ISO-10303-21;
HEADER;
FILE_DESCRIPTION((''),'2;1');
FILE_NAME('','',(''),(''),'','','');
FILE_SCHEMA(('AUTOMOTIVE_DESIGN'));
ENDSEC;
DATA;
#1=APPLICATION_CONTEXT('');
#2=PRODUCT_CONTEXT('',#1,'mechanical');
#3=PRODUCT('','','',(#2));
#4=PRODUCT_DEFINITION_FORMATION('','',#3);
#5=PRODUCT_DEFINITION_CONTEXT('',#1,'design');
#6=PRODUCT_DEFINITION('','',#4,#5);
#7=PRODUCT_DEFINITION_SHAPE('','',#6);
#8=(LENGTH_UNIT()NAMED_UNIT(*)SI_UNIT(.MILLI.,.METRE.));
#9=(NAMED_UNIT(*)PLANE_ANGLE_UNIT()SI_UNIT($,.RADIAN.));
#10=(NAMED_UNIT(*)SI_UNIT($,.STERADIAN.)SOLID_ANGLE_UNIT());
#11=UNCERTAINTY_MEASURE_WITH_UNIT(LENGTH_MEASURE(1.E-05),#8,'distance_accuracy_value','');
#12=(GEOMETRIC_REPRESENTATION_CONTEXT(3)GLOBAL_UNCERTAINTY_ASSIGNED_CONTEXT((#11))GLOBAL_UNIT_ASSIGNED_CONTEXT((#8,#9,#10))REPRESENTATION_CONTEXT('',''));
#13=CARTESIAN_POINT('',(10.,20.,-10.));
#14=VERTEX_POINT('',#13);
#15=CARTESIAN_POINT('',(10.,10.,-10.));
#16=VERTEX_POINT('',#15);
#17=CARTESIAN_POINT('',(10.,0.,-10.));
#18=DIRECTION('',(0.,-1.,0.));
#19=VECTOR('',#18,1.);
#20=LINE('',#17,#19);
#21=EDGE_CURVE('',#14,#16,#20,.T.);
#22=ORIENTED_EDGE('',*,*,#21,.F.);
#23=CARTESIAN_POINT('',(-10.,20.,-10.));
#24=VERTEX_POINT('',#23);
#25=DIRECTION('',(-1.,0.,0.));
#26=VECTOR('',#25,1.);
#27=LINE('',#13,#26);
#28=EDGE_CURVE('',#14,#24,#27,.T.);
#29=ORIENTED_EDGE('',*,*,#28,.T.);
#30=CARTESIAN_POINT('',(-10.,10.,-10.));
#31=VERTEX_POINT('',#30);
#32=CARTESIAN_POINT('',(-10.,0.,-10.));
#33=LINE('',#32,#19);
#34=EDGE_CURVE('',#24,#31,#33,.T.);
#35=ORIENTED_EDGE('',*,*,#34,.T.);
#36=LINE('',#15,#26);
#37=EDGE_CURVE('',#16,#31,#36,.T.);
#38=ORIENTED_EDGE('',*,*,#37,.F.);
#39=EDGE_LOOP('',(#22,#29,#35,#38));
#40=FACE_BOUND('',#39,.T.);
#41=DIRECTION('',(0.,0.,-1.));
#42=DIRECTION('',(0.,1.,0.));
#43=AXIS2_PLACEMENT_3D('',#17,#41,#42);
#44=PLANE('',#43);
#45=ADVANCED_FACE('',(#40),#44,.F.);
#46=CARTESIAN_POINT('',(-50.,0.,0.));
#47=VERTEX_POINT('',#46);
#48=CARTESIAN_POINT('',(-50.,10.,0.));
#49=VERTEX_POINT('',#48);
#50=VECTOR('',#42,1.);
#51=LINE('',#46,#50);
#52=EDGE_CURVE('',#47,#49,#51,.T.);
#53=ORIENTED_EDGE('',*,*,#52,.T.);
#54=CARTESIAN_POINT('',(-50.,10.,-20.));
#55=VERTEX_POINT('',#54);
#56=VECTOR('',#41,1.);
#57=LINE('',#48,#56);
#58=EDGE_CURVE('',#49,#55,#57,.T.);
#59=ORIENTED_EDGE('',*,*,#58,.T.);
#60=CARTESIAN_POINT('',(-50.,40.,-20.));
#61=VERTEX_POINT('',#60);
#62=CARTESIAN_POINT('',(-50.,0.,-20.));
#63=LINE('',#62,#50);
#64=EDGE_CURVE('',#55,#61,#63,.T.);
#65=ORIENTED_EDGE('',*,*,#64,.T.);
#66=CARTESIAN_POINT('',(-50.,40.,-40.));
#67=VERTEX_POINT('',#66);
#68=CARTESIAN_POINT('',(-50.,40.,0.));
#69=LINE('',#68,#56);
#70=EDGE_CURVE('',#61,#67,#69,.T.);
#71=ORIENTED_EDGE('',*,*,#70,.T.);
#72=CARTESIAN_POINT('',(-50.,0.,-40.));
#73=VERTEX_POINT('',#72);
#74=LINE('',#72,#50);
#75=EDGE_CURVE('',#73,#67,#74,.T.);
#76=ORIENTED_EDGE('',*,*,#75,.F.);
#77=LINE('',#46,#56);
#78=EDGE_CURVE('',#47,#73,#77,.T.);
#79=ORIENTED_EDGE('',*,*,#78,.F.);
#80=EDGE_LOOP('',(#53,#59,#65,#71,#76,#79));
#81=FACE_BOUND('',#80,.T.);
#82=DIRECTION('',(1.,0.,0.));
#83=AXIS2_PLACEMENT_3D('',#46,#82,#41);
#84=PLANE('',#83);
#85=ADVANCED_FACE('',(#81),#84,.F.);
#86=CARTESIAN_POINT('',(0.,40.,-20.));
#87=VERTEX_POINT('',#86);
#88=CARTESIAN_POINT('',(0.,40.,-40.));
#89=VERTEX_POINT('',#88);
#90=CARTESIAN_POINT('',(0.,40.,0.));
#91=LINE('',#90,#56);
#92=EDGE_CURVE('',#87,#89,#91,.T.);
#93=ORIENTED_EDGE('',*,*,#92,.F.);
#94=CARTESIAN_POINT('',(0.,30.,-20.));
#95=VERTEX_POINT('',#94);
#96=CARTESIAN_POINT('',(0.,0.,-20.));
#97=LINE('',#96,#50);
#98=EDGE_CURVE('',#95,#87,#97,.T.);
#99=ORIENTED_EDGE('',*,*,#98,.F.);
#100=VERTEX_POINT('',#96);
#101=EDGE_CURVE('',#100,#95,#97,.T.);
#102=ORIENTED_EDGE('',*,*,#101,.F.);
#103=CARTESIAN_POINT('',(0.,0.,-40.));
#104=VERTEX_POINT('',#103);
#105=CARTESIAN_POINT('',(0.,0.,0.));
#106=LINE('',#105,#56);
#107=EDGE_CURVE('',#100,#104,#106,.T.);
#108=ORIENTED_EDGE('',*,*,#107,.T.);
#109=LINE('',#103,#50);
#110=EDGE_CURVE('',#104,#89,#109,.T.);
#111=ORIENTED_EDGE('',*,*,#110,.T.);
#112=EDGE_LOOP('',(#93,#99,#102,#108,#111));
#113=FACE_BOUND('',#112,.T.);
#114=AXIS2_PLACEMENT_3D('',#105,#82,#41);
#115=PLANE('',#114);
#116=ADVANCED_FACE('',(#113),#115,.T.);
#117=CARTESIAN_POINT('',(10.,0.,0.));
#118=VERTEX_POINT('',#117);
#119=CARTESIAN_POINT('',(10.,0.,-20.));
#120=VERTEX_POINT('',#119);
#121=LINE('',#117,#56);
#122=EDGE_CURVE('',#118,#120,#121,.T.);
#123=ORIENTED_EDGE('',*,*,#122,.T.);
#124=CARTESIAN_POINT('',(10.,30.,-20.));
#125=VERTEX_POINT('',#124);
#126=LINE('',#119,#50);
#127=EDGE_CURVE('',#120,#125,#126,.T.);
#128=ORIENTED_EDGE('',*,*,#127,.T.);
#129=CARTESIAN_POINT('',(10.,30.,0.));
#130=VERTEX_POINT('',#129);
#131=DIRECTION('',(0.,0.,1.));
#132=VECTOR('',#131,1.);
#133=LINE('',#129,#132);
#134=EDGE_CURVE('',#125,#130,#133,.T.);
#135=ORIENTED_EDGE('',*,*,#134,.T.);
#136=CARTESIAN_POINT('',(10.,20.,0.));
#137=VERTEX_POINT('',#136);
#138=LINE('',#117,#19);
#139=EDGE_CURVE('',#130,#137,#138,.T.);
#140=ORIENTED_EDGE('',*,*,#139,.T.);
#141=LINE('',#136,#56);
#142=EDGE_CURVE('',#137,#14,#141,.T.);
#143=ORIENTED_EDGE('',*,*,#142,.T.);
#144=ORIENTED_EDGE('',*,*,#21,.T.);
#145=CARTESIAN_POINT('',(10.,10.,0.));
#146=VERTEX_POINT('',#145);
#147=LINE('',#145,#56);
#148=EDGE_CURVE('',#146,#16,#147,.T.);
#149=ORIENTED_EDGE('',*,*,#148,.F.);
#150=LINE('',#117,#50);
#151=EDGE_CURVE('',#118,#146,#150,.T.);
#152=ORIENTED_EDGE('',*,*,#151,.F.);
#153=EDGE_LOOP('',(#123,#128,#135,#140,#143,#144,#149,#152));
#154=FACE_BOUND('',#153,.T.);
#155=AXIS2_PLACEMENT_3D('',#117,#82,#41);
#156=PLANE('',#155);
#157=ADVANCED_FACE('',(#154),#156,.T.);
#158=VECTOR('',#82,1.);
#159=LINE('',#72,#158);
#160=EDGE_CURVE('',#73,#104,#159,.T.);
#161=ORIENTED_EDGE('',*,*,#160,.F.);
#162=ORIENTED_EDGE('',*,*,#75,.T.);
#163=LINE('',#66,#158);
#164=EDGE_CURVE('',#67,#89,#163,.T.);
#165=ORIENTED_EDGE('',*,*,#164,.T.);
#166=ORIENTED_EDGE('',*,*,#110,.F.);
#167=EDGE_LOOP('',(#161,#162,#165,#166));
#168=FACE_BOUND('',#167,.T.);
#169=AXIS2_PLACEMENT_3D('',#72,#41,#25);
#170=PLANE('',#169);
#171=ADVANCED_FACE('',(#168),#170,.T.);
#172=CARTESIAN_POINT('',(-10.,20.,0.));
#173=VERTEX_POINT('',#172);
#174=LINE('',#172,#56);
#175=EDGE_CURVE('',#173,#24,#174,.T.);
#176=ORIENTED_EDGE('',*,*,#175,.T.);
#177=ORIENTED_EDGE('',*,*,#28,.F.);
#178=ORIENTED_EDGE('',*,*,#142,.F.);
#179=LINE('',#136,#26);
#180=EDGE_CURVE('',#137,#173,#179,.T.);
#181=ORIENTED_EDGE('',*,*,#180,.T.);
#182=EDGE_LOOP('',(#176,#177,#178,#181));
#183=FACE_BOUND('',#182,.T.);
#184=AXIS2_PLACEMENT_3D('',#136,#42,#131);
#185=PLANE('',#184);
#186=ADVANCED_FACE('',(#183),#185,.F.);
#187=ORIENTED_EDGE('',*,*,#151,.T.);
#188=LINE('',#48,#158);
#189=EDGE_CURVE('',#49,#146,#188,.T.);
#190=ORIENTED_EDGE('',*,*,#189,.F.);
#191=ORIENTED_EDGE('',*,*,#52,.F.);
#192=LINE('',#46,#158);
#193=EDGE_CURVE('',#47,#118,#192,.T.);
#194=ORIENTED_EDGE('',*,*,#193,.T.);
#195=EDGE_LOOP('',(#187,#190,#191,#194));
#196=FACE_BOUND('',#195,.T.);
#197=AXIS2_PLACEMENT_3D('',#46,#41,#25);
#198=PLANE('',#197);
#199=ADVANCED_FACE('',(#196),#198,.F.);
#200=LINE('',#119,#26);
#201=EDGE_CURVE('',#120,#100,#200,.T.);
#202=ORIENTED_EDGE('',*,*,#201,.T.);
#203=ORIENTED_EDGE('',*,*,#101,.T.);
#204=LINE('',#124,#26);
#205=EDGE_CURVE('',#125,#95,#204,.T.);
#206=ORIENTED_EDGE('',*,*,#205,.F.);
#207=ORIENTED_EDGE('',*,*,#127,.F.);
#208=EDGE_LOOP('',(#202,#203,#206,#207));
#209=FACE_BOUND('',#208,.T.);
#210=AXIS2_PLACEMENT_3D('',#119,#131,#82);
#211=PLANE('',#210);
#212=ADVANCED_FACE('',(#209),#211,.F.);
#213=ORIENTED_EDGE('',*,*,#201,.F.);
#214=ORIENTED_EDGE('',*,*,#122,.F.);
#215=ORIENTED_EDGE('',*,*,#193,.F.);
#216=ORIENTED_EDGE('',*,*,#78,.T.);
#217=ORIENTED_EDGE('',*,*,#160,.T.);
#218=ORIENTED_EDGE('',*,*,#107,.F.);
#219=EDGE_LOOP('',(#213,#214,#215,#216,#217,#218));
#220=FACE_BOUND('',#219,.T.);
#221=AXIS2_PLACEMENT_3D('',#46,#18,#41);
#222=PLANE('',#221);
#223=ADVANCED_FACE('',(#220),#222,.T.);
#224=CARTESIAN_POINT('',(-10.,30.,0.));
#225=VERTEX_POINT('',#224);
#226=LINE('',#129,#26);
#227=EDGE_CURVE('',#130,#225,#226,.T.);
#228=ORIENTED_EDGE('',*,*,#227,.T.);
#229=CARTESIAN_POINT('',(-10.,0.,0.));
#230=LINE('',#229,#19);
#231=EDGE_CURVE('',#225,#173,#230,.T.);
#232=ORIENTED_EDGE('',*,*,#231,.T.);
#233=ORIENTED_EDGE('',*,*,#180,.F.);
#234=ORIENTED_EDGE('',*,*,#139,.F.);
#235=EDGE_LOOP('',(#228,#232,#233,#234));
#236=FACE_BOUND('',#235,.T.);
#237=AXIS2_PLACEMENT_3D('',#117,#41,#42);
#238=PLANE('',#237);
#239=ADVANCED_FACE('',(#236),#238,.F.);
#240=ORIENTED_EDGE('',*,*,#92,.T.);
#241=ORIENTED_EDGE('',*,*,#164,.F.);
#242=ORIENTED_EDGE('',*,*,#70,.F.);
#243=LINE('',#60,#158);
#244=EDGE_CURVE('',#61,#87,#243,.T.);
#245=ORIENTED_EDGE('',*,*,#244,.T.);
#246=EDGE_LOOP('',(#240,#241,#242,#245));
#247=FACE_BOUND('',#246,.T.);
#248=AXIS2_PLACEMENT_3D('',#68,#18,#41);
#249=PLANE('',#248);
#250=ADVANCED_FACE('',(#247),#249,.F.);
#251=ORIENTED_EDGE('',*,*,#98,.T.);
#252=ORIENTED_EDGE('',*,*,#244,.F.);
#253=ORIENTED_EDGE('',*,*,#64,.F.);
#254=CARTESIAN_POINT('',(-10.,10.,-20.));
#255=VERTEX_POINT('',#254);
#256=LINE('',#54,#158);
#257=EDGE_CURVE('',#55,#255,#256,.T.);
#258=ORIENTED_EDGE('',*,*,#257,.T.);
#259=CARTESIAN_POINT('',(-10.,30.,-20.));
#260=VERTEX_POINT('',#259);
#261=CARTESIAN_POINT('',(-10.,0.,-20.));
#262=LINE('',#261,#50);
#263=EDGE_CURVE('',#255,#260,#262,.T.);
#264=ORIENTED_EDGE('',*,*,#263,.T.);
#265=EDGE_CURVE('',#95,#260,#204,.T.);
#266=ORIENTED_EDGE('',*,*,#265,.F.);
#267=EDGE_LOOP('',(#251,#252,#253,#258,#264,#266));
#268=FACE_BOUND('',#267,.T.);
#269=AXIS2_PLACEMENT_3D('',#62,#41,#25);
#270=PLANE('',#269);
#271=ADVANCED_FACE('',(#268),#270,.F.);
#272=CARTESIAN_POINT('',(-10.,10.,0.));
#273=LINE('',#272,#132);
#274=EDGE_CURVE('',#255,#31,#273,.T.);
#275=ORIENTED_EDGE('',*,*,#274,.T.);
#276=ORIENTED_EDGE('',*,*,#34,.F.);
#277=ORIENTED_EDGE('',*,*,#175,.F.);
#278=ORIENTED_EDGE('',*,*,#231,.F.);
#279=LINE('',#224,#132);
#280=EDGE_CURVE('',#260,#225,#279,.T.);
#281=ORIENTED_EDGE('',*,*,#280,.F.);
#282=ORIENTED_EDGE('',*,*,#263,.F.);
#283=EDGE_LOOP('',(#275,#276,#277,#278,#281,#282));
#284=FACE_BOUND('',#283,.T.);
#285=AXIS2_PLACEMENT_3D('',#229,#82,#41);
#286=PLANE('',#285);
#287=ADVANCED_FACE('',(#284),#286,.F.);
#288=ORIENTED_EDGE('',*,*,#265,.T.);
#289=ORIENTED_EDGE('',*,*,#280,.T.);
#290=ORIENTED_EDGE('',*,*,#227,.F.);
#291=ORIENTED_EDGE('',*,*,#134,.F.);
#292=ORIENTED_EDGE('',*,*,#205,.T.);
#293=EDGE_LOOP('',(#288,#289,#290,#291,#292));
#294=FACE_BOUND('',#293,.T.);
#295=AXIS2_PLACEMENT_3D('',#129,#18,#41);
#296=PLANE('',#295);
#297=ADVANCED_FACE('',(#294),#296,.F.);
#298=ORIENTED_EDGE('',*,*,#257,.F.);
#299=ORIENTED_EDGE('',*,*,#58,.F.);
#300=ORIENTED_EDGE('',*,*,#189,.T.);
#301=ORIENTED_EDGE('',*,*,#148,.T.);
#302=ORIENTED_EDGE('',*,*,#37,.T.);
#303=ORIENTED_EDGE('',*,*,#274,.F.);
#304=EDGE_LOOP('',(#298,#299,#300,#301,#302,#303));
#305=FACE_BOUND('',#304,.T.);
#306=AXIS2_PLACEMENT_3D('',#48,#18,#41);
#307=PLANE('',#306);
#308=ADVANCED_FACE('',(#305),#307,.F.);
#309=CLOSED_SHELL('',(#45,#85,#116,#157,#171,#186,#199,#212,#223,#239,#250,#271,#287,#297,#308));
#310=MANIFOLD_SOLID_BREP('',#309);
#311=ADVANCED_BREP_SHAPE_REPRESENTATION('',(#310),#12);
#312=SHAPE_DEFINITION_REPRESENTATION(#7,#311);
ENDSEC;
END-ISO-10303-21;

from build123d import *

# Parameters (mm, degrees)
BOSS_EXTRUDE1_DEPTH = 50
BOSS_EXTRUDE2_DEPTH = 10


with BuildPart() as part:
    # Sketch1 → Boss-Extrude1 (new body)
    with BuildSketch(Plane(origin=(0, 0, 0), x_dir=(0, 0, -1), z_dir=(1, 0, 0))):
        Polygon((20, 40), (20, 10), (0, 10), (0, 0), (40, 0), (40, 40), align=None)
    extrude(amount=-BOSS_EXTRUDE1_DEPTH)

    # Sketch1<3> → Boss-Extrude2 (add, symmetric)
    with BuildSketch(Plane(origin=(0, 0, 0), x_dir=(0, 0, -1), z_dir=(1, 0, 0))):
        Polygon((20, 30), (0, 30), (0, 20), (10, 20), (10, 10), (0, 10), (0, 0), (20, 0), align=None)
    extrude(amount=BOSS_EXTRUDE2_DEPTH, both=True)


solid = part.part
